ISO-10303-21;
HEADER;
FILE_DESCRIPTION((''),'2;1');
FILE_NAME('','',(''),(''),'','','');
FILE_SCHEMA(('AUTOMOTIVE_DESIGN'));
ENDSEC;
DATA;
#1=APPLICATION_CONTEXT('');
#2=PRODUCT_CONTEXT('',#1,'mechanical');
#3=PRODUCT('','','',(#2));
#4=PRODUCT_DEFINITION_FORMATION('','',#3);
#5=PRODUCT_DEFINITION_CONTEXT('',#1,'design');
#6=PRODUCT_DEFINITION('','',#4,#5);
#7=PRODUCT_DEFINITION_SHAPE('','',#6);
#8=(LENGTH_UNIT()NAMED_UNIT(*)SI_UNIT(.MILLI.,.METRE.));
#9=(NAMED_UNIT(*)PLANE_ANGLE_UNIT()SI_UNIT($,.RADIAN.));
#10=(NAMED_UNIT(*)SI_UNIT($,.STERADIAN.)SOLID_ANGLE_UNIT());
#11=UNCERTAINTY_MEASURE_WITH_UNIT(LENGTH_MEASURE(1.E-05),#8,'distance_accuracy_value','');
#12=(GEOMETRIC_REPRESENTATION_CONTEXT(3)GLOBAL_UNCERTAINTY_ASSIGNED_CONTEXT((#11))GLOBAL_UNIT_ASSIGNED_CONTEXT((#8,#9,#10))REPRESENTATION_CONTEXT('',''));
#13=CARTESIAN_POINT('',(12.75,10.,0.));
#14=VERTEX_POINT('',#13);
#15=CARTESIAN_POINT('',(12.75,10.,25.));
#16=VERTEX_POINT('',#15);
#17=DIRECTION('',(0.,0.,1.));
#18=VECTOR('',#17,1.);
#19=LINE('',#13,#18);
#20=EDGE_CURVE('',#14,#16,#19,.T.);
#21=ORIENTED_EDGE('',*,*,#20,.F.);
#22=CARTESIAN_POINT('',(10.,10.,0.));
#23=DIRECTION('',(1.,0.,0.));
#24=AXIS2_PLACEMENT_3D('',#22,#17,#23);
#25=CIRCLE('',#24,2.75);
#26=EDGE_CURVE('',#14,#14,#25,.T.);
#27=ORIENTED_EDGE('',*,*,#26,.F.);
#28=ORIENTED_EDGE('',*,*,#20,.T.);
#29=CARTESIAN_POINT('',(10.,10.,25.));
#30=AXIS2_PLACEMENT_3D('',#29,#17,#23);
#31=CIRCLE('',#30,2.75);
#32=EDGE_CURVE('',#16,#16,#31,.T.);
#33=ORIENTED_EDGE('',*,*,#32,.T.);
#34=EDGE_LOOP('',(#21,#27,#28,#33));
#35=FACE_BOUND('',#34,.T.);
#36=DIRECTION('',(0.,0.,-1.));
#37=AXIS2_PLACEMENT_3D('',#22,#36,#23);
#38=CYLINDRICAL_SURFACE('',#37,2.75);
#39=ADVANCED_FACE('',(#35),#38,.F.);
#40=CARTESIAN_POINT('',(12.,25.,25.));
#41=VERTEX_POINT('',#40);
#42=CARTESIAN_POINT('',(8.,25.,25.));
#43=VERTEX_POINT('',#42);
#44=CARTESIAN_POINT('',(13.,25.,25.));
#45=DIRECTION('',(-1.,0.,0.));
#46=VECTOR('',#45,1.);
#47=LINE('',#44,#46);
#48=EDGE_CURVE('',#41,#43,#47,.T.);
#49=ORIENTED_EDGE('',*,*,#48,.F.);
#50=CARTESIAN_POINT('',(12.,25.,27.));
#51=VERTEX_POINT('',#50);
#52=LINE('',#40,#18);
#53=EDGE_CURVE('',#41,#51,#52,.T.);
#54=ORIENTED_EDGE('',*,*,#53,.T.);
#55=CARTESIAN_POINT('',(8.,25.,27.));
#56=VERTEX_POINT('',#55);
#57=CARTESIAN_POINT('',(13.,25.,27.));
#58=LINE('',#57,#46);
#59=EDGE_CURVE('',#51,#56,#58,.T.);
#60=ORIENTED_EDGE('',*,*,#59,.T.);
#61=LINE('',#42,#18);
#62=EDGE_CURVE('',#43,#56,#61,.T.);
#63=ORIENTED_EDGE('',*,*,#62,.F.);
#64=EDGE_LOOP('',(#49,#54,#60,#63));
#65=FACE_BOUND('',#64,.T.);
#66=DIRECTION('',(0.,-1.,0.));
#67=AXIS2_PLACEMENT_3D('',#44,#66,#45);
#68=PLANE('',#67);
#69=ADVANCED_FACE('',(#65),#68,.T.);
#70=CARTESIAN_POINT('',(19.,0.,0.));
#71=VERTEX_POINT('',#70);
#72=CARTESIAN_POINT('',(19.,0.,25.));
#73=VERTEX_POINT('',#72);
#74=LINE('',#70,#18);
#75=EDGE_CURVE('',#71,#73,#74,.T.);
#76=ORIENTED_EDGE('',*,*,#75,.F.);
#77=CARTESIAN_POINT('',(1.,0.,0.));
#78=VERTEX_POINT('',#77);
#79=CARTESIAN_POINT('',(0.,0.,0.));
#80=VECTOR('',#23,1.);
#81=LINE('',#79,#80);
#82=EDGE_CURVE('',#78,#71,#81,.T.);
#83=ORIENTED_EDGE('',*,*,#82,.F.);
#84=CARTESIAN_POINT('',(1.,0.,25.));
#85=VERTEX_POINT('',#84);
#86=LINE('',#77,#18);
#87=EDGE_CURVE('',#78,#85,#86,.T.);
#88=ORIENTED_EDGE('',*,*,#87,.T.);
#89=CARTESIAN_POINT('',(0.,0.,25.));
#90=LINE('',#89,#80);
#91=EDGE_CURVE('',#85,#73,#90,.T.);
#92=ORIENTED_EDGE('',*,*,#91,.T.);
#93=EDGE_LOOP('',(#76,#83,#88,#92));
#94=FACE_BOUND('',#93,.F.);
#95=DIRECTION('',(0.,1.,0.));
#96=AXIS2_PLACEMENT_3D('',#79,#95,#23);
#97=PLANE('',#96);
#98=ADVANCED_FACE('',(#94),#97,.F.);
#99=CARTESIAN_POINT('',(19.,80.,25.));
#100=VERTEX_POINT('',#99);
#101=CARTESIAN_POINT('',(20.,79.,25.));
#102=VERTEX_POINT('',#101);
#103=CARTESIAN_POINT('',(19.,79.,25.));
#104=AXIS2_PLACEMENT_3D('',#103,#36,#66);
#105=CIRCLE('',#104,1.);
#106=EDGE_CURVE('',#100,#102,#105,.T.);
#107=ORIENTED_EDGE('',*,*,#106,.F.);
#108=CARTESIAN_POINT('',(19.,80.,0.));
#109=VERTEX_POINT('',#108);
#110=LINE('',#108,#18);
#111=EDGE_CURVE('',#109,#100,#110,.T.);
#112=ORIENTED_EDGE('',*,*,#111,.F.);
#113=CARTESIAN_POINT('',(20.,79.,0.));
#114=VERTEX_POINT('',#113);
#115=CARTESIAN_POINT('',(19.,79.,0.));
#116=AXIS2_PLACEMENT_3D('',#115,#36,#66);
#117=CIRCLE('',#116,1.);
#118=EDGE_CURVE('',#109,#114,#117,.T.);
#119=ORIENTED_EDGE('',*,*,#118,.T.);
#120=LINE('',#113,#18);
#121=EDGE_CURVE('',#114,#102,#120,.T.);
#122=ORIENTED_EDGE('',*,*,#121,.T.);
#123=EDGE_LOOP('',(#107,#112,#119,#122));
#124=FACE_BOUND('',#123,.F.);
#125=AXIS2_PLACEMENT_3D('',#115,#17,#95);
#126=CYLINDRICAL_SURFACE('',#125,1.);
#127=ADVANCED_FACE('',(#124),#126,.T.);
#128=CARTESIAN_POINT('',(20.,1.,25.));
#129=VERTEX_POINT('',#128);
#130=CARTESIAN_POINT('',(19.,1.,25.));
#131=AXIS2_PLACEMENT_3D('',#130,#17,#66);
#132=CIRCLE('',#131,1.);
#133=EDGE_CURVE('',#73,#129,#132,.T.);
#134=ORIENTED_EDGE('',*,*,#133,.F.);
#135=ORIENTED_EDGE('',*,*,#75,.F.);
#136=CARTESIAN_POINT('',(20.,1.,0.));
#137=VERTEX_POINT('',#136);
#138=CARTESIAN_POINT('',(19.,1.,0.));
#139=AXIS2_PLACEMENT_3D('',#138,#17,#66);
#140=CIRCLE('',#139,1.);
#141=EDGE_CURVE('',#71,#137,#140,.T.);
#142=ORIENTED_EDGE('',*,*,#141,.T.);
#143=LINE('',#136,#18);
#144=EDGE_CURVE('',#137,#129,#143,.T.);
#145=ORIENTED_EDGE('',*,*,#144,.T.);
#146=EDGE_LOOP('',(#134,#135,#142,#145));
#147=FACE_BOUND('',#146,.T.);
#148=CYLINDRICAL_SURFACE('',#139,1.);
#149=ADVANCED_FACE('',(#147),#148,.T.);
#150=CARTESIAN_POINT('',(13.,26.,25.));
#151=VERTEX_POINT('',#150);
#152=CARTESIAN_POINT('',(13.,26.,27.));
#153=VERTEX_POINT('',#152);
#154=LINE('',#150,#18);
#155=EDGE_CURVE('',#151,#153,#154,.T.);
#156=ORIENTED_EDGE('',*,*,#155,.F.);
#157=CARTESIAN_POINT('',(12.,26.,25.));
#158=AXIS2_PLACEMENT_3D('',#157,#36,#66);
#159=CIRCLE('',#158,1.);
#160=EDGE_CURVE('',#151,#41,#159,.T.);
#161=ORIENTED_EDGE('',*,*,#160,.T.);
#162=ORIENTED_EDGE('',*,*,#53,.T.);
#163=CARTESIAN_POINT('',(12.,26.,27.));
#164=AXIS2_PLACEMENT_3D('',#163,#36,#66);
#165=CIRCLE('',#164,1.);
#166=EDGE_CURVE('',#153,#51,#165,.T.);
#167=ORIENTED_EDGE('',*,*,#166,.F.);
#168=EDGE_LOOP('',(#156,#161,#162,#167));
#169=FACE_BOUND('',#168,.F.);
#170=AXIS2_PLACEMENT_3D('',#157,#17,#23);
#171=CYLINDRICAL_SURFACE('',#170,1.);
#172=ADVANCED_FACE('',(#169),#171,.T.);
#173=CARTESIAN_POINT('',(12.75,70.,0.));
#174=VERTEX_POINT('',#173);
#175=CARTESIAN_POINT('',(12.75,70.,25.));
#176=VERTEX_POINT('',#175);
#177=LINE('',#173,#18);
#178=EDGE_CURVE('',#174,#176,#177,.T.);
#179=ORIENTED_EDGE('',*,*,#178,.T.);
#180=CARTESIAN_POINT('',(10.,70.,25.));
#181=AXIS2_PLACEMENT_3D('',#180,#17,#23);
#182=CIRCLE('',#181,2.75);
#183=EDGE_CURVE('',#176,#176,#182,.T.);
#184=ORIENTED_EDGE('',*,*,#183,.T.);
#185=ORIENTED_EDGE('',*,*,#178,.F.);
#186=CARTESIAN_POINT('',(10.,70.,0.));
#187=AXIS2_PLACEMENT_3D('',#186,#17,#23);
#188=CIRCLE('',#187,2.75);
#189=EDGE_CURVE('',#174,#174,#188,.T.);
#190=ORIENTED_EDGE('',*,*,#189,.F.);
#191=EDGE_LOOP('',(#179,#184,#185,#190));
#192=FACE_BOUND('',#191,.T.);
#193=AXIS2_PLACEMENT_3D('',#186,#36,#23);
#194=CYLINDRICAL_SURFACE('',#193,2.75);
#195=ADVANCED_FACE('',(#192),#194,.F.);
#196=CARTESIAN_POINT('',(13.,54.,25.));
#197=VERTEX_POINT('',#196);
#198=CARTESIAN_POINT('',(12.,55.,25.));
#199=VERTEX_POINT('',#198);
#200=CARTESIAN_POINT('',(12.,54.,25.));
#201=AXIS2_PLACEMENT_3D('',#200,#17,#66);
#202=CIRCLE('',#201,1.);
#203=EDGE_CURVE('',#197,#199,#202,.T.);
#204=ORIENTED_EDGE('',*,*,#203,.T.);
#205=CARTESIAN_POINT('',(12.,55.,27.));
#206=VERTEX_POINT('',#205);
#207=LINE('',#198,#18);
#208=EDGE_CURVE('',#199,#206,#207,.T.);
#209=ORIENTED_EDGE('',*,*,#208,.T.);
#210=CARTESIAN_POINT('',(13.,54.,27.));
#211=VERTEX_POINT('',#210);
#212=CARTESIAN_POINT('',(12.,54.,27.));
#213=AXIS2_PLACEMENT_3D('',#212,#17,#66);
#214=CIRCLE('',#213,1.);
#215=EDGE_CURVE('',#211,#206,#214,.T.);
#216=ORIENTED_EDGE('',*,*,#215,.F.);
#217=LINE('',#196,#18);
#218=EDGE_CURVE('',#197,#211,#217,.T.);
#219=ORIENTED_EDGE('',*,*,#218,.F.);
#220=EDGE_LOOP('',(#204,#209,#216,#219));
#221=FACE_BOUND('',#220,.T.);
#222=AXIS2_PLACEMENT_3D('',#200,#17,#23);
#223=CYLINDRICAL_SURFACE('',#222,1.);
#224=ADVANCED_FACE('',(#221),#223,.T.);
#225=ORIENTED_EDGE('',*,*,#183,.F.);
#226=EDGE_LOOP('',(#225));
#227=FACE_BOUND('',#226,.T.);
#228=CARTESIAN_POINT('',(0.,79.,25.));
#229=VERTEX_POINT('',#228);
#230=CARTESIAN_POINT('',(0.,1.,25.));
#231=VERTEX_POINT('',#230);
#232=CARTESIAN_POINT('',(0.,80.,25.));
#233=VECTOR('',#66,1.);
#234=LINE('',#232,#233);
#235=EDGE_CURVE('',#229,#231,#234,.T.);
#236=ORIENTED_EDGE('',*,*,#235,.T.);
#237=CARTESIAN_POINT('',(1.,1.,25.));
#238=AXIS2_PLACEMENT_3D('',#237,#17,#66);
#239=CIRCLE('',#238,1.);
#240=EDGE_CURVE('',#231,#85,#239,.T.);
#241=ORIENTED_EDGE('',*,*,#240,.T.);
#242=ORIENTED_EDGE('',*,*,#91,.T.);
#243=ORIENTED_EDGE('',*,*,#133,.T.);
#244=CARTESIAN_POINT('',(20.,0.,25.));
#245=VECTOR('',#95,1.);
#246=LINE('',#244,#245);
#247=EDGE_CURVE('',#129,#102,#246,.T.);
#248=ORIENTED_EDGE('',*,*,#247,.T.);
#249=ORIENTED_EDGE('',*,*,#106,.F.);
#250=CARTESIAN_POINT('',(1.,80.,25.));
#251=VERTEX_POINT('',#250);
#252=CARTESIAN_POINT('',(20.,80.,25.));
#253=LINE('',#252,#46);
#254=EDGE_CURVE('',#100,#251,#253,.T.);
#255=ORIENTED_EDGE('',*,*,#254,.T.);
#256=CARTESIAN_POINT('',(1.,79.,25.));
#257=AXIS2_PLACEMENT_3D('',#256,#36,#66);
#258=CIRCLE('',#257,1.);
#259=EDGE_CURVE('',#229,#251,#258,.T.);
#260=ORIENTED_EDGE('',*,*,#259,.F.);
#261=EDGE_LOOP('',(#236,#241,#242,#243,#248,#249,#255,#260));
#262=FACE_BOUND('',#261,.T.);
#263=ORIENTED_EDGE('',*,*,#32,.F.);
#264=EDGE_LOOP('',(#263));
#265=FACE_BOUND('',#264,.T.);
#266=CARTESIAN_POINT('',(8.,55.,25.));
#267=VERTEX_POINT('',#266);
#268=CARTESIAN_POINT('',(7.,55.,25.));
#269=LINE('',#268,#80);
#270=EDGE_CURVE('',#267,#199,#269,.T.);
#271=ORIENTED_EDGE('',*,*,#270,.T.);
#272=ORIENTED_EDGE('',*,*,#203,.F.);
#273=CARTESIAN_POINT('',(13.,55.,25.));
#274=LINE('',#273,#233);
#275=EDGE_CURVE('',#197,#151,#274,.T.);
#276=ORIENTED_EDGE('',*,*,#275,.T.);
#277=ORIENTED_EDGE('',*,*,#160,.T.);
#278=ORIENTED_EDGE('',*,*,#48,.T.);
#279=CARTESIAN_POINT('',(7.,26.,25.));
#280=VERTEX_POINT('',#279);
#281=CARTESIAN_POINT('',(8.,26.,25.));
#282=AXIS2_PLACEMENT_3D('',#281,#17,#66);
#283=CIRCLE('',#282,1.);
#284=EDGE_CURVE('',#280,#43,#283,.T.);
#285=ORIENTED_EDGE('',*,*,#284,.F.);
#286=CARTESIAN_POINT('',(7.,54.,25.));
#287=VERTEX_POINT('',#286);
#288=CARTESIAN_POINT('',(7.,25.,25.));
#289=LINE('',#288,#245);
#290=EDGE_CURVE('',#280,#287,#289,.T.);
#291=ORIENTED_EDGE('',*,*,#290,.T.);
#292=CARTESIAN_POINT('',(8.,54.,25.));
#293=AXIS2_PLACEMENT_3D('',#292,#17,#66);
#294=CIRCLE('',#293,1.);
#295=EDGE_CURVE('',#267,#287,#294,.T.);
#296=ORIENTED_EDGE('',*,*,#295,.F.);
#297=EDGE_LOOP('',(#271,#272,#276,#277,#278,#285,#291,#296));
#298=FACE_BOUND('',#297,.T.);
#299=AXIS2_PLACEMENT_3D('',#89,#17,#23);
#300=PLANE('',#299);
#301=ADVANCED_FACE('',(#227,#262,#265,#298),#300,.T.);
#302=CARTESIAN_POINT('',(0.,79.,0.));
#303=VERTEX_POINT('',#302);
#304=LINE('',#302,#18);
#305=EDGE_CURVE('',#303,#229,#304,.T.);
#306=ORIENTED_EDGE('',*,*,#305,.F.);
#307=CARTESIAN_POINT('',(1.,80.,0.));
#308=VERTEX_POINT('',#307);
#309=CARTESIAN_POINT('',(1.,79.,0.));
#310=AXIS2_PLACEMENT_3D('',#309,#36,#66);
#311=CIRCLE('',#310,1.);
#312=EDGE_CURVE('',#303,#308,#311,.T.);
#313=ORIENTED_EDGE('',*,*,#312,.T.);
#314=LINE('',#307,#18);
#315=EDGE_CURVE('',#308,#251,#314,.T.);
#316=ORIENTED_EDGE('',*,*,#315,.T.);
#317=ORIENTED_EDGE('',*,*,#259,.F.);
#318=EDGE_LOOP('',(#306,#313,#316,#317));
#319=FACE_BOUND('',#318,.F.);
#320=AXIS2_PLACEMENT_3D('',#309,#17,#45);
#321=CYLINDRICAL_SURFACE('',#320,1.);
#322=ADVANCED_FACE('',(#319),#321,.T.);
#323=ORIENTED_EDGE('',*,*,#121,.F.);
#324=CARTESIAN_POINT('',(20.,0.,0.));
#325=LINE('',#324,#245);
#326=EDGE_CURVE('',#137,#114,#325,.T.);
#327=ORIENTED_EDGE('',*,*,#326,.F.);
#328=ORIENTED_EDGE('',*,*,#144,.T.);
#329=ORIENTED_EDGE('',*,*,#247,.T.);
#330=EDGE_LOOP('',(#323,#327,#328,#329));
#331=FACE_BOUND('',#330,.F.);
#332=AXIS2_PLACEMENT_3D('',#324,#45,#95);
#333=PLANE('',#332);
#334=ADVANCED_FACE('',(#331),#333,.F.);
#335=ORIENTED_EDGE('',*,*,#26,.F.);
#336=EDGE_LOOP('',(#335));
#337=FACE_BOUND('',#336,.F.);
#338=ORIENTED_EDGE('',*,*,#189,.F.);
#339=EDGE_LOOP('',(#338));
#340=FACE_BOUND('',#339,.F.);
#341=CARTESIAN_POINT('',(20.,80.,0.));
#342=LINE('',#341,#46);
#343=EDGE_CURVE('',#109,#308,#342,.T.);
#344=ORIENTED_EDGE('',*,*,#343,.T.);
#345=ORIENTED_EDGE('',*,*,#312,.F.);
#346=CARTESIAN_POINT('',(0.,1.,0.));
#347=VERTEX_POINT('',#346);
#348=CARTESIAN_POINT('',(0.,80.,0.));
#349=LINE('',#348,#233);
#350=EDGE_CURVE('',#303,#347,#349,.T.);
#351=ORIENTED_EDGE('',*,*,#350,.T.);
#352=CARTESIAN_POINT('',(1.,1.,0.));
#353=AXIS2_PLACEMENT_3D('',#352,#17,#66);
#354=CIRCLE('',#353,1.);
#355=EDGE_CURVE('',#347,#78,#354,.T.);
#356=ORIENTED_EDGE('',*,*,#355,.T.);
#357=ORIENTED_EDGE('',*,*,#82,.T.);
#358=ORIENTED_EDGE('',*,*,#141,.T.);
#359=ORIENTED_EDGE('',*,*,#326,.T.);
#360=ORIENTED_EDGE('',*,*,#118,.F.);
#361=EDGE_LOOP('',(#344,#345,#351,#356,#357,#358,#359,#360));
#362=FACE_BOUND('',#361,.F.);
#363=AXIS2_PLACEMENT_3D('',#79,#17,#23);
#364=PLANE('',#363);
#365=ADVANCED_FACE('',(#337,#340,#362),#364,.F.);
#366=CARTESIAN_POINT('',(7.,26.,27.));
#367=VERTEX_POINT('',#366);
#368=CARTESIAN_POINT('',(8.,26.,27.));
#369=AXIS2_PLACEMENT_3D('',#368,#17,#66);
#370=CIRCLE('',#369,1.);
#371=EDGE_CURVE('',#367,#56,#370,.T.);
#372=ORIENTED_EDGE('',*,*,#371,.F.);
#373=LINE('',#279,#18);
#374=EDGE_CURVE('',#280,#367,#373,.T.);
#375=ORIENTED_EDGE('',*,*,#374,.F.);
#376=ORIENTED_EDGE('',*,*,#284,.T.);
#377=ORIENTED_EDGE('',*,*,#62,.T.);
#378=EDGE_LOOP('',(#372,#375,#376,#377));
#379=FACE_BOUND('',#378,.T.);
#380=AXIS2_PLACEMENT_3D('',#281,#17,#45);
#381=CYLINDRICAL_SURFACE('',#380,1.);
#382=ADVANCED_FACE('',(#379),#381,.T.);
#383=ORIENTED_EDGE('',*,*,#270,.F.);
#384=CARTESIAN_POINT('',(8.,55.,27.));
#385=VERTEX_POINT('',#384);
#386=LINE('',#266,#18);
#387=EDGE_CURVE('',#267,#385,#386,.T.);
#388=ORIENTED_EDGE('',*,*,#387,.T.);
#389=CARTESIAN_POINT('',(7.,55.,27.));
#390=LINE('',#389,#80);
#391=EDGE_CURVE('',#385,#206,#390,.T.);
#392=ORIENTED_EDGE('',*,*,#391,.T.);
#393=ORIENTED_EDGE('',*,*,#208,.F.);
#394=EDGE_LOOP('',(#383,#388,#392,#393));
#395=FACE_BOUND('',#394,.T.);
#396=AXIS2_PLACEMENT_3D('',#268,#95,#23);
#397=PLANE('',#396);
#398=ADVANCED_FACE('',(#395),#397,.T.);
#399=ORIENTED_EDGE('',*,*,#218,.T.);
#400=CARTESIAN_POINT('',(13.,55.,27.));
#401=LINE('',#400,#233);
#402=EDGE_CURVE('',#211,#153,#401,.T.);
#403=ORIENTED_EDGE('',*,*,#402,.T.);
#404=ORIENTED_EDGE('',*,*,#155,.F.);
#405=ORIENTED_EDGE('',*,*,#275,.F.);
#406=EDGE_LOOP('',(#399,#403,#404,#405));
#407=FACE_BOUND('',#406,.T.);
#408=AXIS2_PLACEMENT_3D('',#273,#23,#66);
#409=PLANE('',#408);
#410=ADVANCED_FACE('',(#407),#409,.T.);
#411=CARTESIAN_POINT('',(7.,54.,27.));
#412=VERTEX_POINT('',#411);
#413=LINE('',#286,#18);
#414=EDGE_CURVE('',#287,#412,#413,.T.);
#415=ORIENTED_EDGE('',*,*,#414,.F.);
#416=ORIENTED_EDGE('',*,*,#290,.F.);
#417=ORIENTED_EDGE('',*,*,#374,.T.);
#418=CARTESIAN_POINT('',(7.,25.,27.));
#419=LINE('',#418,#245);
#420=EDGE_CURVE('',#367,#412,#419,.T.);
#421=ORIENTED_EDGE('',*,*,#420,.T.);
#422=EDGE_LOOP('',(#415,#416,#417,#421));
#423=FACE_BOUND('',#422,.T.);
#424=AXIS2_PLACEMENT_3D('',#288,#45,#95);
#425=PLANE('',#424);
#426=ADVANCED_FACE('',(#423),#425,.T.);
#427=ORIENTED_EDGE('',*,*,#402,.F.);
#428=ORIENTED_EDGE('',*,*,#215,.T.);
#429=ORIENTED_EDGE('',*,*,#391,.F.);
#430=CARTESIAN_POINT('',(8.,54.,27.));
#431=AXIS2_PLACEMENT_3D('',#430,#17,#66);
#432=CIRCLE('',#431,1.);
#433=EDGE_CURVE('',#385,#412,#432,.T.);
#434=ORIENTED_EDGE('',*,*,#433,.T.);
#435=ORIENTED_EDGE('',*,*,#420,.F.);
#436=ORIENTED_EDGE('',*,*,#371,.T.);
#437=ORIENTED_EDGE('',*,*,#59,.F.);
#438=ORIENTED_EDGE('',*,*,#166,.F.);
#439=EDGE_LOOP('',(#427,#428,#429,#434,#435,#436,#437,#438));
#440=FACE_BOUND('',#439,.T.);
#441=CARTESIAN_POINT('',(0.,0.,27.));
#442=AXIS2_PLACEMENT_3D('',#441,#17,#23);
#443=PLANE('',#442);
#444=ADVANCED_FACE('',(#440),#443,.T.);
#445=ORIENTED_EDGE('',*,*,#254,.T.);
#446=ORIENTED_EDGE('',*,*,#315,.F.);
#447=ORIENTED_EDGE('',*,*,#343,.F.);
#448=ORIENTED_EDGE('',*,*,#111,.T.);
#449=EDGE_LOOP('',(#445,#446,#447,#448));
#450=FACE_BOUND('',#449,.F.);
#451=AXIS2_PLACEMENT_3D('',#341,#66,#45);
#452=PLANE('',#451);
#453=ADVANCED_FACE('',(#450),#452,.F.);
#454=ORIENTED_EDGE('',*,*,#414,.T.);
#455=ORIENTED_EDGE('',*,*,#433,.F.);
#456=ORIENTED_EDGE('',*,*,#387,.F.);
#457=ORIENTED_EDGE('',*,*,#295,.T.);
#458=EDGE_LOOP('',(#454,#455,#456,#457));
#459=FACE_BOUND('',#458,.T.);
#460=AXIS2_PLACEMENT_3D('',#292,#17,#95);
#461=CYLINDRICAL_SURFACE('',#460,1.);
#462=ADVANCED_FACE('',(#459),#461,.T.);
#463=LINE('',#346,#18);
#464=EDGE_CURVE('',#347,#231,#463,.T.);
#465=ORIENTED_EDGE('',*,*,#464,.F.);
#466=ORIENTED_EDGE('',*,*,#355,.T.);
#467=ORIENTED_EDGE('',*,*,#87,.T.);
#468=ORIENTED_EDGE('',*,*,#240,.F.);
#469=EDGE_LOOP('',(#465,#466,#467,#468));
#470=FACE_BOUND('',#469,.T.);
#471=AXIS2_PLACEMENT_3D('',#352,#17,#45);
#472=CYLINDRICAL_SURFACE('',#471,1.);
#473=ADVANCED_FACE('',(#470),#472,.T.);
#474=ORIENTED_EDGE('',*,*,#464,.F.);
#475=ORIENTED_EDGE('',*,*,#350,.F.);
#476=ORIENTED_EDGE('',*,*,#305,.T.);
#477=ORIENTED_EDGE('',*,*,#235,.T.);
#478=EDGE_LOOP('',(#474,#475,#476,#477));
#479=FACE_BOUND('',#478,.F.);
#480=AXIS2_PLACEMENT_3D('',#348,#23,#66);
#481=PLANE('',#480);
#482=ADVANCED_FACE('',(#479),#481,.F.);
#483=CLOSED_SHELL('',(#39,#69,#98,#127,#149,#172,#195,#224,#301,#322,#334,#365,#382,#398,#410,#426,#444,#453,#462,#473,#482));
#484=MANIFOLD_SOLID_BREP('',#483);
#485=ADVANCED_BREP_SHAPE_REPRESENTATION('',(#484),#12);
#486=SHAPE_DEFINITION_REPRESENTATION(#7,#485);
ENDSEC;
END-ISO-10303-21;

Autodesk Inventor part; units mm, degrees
ref_plane "YZ Plane" through (0, 0, 0) normal (1, 0, 0) x (0, 1, 0)
ref_plane "XZ Plane" through (0, 0, 0) normal (0, 1, 0) x (-1, 0, 0)
ref_plane "XY Plane" through (0, 0, 0) normal (0, 0, 1) x (1, 0, 0)
sketch "スケッチ2" plane through (0, 0, 0) normal (0, 0, 1) x (1, 0, 0)
  line L0 (0, 0) -> (20, 0)
  line L1 (20, 0) -> (20, 80)
  line L2 (20, 80) -> (0, 80)
  line L3 (0, 80) -> (0, 0)
  line L4 (10, 80) -> (10, 0) construction
  circle A0 centre (10, 70) radius 2.75
  circle A1 centre (10, 10) radius 2.75
  dimension "d4" = 20
  dimension "d5" = 80
  dimension "d15" = 10
  dimension "d16" = 10
  dimension "d17" = 5.5
extrude "押し出し2" add sketch "スケッチ2" along normal blind 25
sketch "スケッチ4" plane through (0, 0, 25) normal (0, 0, 1) x (1, 0, 0)
  line L0 (0, 0) -> (20, 0) construction
  line L1 (10, 0) -> (10, 80) construction
  line L2 (20, 80) -> (0, 80) construction
  line L3 (0, 80) -> (0, 0) construction
  line L4 (0, 40) -> (20, 40) construction
  line L5 (20, 0) -> (20, 80) construction
  line L6 (13, 25) -> (7, 25)
  line L7 (7, 25) -> (7, 55)
  line L8 (7, 55) -> (13, 55)
  line L9 (13, 55) -> (13, 25)
  line L10 (13, 25) -> (7, 55) construction
  line L11 (7, 25) -> (13, 55) construction
  point P0 (10, 40)
  dimension "d18" = 6
  dimension "d19" = 30
extrude "押し出し4" add sketch "スケッチ4" along normal blind 2
fillet "フィレット1" radius 1 8 edges at (13, 25, 26) (13, 55, 26) (7, 55, 26) (7, 25, 26) (0, 0, 12.5) (20, 0, 12.5) (20, 80, 12.5) (0, 80, 12.5)
properties part number "モータースペーサ"
